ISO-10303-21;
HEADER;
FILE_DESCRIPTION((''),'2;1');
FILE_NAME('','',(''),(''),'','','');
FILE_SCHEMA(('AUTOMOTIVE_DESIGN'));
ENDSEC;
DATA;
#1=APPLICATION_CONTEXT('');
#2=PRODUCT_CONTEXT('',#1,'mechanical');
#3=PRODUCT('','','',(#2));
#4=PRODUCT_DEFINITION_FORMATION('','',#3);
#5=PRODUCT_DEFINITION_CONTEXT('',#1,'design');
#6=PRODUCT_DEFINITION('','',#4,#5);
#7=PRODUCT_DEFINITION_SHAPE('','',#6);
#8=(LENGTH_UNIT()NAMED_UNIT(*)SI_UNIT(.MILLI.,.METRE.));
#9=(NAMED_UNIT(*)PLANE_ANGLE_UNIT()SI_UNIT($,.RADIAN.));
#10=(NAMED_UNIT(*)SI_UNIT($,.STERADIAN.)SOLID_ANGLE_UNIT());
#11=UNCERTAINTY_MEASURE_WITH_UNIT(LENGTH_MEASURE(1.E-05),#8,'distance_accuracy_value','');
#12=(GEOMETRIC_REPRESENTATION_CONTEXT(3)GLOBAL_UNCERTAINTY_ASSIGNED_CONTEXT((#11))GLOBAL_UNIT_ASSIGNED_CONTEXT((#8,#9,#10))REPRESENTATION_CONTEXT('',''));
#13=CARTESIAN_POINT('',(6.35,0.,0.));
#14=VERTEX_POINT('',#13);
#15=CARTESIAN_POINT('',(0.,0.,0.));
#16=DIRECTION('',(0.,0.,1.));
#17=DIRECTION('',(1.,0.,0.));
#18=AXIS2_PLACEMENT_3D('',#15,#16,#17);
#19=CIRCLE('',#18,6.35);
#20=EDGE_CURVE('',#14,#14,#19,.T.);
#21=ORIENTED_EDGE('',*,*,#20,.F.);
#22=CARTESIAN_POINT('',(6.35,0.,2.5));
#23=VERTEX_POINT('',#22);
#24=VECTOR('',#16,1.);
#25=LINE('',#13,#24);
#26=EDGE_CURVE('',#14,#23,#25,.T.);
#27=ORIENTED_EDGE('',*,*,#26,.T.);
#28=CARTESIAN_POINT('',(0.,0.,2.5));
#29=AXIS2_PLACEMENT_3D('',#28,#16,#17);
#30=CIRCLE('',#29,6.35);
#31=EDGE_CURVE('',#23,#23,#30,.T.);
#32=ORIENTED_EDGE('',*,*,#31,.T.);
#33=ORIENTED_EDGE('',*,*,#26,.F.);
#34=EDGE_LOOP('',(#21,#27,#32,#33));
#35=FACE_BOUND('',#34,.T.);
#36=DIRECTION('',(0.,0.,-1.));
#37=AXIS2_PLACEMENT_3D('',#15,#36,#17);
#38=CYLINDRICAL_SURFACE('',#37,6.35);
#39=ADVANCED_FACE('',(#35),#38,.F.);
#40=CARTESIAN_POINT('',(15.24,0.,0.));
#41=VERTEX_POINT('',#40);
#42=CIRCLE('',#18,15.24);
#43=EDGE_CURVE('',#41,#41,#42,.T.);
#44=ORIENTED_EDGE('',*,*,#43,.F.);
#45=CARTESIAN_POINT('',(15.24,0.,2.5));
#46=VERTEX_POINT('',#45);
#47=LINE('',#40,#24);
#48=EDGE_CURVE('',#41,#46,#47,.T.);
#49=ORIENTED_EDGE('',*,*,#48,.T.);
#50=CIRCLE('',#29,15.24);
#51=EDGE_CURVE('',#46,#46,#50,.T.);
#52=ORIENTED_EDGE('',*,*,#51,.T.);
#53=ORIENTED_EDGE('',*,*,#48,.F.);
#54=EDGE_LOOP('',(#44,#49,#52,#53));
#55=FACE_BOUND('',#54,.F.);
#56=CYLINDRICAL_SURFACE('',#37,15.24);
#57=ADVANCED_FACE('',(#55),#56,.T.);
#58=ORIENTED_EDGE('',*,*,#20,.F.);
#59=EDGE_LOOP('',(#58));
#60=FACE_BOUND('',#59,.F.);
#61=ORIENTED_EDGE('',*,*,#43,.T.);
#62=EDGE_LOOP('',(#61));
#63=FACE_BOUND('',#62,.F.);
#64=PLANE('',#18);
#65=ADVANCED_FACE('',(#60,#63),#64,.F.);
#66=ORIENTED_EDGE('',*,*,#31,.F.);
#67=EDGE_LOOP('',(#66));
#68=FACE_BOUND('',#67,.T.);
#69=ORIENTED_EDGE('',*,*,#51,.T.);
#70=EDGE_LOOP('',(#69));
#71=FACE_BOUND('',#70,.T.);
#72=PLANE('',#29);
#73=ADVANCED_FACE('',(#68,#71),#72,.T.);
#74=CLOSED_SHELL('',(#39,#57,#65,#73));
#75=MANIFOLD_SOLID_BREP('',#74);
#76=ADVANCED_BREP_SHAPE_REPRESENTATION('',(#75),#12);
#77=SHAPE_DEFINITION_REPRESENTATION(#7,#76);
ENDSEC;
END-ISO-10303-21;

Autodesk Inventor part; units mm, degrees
ref_plane "YZ Plane" through (0, 0, 0) normal (1, 0, 0) x (0, 1, 0)
ref_plane "XZ Plane" through (0, 0, 0) normal (0, 1, 0) x (-1, 0, 0)
ref_plane "XY Plane" through (0, 0, 0) normal (0, 0, 1) x (1, 0, 0)
sketch "Sketch1" plane through (0, 0, 0) normal (0, 0, 1) x (1, 0, 0)
  circle A0 centre (0, 0) radius 6.35
  circle A1 centre (0, 0) radius 15.24
  dimension "d0" = 12.7
  dimension "d1" = 30.48
extrude "Extrusion1" add sketch "Sketch1" along normal blind 2.5
properties part number "washer6"
